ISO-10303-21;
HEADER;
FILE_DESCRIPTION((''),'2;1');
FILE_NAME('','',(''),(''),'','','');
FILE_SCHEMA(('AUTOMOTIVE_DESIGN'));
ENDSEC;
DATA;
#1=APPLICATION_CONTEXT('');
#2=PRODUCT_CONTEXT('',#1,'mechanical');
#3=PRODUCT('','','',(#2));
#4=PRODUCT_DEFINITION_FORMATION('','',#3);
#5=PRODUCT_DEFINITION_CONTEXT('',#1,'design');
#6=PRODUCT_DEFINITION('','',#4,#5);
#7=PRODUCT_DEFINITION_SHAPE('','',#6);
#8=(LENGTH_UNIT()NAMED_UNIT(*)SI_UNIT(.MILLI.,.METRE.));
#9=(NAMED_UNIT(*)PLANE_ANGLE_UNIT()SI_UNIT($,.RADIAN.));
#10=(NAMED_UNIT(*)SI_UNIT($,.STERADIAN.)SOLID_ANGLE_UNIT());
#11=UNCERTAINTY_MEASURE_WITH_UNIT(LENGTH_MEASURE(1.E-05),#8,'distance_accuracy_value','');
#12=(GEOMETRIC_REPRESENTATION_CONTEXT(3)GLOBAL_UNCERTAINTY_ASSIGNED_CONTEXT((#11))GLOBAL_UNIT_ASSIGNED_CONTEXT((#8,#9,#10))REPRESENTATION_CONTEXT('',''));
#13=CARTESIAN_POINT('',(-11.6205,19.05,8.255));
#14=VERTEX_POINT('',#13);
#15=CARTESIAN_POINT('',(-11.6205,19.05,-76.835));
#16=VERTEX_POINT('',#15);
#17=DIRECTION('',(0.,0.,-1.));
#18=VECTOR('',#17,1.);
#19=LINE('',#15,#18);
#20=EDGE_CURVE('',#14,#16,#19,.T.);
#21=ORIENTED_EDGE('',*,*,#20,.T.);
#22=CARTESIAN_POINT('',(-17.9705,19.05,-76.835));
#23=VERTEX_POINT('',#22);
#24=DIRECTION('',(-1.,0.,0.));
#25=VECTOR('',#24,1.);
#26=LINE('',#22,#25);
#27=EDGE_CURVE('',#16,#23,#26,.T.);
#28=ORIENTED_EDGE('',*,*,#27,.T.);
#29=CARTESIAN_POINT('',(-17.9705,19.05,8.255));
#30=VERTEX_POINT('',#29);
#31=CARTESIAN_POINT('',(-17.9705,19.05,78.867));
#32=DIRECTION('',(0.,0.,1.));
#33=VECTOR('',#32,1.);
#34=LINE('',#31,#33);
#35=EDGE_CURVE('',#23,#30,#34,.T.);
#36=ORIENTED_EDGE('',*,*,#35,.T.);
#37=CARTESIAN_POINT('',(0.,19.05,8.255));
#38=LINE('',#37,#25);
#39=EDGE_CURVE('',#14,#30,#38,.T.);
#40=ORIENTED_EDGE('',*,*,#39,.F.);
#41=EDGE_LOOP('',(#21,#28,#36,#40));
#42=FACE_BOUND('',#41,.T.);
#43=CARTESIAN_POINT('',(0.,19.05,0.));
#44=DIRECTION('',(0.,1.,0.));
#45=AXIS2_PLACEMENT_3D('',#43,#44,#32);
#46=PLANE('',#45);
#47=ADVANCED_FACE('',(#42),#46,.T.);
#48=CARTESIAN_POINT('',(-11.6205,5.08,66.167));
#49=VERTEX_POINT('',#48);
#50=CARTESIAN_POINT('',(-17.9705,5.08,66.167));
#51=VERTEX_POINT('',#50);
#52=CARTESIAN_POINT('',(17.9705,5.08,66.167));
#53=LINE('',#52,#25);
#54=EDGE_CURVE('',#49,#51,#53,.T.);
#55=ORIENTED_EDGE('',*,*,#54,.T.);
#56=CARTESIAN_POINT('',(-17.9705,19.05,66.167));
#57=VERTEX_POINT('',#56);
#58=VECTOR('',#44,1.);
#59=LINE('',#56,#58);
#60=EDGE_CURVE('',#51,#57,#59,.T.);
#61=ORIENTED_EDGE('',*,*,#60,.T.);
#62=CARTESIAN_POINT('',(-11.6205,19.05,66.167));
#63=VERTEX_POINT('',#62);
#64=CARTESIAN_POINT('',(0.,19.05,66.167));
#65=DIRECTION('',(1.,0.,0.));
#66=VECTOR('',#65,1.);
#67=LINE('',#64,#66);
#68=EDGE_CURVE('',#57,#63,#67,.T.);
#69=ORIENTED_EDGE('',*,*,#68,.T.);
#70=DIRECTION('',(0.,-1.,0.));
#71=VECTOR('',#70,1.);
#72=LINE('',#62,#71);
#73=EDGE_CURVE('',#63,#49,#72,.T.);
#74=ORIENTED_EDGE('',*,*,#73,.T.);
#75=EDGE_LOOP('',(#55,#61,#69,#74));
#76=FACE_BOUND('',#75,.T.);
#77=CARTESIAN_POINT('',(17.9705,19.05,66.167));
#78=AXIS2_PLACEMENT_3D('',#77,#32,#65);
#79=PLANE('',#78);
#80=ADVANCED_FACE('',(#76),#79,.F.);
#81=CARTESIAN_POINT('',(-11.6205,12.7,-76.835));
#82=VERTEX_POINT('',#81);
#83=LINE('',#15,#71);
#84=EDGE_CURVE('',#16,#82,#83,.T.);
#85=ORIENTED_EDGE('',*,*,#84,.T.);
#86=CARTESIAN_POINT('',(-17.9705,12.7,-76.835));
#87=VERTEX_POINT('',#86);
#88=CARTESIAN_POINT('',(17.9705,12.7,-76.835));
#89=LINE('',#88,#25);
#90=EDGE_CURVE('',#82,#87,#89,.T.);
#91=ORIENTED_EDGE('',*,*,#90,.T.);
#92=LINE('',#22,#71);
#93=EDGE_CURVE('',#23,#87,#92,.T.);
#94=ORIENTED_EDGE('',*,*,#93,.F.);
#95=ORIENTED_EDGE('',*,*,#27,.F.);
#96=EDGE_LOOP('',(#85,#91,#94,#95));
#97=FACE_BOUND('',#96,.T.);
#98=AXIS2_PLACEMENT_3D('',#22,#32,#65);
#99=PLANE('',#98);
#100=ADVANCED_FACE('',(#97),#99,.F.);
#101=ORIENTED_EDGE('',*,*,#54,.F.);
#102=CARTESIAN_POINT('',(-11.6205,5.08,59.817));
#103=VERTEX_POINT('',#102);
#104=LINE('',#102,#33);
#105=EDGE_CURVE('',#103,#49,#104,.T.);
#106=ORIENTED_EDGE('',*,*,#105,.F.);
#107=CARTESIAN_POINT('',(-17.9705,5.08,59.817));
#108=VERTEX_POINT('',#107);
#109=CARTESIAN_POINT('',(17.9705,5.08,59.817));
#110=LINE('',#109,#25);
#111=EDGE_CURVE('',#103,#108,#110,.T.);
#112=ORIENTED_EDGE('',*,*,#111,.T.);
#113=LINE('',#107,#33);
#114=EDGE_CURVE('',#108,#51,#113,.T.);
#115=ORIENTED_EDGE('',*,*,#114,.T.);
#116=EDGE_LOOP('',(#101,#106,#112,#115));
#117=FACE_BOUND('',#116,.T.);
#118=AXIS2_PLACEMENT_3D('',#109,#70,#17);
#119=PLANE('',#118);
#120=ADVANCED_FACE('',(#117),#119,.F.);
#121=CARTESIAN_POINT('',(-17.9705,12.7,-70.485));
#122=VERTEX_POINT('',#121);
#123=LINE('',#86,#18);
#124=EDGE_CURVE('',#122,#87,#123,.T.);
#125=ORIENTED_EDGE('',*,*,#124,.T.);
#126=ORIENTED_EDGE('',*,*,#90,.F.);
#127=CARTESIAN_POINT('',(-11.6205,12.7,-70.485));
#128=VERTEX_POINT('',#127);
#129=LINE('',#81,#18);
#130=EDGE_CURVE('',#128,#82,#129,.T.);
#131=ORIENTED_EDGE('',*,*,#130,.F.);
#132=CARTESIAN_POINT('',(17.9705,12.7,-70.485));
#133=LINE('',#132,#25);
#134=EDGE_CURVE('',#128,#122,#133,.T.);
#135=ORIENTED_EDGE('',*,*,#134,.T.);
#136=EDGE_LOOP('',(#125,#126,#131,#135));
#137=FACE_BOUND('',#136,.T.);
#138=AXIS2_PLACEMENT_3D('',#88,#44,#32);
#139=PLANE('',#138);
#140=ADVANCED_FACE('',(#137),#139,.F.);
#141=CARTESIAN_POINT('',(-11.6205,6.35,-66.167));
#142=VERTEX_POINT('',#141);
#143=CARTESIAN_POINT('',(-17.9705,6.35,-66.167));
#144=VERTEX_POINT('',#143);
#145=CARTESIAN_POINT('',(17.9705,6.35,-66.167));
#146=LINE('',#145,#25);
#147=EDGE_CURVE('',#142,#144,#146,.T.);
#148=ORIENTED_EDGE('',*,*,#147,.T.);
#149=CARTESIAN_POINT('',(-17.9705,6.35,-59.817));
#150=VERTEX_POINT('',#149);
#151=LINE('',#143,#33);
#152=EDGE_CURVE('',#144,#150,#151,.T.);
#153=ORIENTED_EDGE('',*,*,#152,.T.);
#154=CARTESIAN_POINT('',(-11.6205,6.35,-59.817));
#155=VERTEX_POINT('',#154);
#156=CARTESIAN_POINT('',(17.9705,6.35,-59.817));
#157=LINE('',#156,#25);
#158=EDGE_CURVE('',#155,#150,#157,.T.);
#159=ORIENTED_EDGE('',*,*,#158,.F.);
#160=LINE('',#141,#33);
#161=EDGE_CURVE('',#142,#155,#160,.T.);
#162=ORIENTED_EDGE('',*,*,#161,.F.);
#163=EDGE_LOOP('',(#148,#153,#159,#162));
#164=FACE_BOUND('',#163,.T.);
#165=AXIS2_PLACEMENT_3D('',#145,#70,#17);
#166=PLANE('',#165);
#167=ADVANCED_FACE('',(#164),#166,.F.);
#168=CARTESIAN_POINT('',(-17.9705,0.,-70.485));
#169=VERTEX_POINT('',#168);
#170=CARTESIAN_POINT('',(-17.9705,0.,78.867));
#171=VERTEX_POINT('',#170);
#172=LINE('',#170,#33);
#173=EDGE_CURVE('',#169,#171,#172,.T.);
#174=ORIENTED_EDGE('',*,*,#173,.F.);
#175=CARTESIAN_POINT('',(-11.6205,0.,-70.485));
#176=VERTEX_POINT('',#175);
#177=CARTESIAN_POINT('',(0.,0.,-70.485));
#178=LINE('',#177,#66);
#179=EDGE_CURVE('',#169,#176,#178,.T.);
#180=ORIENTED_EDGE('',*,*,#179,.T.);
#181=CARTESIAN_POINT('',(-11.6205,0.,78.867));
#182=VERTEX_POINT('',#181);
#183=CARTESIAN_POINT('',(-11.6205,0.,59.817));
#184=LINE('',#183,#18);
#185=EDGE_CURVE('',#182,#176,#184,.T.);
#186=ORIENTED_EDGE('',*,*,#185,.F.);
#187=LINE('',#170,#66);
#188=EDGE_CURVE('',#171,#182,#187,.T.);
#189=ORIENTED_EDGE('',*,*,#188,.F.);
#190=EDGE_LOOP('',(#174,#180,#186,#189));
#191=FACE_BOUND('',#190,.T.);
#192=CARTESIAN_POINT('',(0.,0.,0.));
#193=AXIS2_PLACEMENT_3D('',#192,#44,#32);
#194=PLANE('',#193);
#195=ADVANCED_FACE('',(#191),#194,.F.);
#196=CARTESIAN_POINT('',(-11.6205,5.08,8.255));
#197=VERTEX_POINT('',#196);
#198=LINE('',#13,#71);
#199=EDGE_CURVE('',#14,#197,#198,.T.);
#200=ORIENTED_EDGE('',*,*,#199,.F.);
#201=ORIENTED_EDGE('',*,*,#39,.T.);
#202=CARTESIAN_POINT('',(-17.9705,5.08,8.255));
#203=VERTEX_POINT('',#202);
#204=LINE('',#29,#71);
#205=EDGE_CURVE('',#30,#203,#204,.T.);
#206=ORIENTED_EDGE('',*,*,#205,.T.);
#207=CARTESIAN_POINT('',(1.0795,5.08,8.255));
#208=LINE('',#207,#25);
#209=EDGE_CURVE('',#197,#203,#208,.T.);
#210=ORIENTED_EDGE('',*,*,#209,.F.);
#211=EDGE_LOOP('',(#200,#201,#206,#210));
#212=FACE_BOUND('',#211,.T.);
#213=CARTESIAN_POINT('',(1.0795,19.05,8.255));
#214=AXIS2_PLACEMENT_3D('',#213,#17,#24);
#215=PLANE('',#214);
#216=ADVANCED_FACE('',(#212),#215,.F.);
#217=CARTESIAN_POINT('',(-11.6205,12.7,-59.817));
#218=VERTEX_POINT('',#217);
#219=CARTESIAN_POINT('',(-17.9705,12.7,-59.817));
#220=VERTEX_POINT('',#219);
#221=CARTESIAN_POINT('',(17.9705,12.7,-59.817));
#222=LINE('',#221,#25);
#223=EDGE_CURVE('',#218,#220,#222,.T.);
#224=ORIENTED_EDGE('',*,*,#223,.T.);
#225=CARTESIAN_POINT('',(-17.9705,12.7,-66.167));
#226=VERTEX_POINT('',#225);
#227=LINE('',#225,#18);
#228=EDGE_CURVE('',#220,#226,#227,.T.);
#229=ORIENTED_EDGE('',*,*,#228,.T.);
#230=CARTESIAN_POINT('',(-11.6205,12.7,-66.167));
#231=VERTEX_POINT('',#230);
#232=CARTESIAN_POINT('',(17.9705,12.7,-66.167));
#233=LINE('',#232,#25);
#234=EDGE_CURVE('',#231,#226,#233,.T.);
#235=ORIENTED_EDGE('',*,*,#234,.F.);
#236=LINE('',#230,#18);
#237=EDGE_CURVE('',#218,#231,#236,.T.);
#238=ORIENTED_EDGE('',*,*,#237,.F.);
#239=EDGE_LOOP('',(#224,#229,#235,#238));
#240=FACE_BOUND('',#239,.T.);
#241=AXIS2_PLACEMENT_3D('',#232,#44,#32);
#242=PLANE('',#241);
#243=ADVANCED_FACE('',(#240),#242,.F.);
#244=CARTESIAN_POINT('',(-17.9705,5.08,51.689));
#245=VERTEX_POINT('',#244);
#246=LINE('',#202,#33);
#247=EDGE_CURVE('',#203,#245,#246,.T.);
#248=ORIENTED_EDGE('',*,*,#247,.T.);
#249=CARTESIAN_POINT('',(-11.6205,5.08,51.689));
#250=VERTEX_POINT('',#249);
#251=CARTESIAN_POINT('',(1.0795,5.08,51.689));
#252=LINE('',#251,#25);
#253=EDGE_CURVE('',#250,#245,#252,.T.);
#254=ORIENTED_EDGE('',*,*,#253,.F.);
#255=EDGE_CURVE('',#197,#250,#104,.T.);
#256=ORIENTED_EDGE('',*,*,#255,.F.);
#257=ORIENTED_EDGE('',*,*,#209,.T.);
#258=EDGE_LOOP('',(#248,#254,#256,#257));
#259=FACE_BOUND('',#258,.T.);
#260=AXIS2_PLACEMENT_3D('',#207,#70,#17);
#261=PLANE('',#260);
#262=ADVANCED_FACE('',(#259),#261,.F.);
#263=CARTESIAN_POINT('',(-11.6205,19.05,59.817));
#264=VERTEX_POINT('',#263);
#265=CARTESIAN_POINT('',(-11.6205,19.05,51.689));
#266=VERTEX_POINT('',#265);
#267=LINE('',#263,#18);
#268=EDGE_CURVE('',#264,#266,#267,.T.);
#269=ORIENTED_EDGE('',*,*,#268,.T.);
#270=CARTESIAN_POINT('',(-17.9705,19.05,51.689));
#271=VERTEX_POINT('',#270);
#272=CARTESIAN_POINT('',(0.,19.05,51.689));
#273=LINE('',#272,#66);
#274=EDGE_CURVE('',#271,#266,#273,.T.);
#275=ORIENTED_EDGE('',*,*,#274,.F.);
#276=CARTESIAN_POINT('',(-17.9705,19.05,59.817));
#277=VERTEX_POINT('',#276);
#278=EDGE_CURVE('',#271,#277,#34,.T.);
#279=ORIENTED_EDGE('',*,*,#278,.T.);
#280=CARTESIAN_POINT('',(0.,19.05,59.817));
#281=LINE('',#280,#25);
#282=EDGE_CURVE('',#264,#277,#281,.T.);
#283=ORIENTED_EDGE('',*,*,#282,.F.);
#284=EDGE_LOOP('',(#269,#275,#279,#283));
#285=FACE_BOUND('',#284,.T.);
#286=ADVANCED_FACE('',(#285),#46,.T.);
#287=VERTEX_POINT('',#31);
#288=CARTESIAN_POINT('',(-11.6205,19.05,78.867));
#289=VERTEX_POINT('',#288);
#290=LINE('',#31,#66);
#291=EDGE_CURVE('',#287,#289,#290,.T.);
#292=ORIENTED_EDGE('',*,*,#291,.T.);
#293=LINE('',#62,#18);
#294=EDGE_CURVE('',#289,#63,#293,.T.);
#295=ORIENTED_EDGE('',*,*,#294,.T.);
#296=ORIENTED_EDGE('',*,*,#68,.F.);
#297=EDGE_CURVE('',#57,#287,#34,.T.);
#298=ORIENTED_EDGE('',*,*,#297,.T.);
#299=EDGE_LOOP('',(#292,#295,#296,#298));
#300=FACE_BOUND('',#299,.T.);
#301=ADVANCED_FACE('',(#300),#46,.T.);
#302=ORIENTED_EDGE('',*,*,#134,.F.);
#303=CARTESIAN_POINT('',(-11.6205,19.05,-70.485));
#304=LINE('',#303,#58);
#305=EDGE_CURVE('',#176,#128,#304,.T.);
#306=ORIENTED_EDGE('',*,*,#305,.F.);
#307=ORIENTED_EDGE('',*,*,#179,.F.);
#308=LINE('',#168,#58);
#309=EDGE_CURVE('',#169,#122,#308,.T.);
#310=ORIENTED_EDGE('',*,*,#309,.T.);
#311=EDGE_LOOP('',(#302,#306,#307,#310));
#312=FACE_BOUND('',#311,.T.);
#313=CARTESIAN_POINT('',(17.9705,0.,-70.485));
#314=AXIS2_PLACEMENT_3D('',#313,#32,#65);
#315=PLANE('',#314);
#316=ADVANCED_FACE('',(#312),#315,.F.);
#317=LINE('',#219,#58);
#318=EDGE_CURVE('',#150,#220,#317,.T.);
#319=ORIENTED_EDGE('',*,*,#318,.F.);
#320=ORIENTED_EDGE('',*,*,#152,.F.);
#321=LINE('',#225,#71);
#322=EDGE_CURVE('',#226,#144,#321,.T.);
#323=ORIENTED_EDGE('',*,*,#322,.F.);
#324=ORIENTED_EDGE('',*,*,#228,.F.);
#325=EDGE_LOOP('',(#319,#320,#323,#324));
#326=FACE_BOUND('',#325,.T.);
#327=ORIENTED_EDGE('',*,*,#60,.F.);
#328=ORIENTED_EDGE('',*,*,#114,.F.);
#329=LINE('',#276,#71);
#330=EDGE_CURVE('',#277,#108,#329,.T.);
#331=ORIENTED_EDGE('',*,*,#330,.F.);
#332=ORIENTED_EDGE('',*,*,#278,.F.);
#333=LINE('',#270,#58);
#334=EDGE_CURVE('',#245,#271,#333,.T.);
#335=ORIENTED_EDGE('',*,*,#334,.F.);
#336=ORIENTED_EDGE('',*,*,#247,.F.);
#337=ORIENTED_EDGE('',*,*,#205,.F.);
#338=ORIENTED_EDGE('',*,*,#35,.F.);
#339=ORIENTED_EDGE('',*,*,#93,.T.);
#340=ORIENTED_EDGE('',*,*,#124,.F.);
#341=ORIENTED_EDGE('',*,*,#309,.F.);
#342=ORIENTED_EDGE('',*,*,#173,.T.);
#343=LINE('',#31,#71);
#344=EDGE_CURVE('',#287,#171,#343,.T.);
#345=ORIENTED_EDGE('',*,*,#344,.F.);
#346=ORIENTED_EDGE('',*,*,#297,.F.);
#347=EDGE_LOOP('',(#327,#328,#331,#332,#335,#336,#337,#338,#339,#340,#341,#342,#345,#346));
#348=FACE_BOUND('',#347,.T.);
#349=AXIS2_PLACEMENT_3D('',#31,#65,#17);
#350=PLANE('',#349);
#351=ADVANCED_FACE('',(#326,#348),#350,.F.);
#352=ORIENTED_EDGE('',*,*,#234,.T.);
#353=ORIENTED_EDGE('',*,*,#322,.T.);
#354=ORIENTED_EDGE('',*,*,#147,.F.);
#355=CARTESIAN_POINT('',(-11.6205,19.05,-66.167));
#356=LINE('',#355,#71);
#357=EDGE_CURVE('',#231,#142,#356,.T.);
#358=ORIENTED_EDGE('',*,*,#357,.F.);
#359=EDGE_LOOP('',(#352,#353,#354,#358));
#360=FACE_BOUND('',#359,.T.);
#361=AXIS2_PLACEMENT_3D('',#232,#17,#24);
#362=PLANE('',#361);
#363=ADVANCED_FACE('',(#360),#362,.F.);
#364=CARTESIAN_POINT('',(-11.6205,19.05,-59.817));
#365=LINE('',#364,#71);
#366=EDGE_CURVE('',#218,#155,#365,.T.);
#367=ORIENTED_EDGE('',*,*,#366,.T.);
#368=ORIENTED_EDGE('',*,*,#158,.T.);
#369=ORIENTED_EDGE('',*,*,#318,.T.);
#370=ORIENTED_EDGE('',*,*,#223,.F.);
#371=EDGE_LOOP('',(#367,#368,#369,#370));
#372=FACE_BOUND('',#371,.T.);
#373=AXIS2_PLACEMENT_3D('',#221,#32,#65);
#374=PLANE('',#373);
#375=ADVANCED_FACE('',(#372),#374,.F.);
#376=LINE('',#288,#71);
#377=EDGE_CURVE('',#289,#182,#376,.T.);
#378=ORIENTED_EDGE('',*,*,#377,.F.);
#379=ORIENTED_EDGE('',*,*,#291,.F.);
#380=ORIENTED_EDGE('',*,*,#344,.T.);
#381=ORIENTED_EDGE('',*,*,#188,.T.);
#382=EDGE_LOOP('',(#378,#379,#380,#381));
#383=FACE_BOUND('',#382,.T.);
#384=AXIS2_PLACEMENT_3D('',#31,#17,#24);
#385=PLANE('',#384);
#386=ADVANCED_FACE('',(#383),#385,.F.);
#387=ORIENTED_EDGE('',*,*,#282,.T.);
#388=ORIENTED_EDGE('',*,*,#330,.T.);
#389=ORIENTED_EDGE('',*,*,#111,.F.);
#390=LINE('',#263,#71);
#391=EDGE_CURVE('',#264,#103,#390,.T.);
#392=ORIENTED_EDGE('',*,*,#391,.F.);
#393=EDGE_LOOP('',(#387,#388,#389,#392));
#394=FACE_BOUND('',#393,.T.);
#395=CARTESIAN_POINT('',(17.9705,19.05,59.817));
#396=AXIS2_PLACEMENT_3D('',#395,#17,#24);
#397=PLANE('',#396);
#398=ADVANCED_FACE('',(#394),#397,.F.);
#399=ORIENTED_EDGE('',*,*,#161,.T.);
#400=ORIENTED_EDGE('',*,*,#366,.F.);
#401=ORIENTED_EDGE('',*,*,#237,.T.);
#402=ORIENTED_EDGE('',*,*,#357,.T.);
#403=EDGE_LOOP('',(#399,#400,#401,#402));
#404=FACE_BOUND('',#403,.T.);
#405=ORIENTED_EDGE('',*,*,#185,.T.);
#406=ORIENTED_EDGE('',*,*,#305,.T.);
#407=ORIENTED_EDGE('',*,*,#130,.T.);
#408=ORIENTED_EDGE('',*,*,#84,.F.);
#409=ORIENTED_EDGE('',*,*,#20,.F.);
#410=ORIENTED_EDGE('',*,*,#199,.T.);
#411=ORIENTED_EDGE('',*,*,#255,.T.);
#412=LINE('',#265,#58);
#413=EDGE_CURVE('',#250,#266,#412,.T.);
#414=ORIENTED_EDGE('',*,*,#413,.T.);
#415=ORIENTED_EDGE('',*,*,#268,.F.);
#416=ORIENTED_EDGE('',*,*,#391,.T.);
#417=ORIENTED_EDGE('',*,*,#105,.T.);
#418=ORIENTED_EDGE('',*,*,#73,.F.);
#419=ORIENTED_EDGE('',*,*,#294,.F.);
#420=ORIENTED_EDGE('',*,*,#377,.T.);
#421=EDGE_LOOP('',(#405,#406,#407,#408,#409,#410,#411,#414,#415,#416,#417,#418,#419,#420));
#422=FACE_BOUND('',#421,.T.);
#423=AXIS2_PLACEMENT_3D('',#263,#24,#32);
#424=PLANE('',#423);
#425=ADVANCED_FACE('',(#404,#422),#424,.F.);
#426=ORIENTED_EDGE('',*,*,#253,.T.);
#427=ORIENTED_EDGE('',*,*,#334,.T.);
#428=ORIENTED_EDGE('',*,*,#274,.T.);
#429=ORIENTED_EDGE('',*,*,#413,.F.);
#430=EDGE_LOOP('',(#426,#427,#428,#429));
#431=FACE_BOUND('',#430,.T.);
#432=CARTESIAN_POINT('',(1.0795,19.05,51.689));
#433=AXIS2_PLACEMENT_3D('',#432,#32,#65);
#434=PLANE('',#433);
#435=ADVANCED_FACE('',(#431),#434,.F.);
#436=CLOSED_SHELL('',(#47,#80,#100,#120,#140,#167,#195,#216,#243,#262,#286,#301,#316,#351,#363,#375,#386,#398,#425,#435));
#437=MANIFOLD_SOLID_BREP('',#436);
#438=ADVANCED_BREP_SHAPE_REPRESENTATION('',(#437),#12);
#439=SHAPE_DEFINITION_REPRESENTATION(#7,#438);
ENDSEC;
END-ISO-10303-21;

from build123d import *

# Parameters (mm, degrees)
BOSS_EXTRUDE1_DEPTH = 19.05
SKETCH2_W           = 43.434
SKETCH2_H           = 13.97
MOTOR_HOLE_DEPTH    = 19.05
SKETCH3_W           = 6.35
SKETCH3_H           = 12.7
CUT_EXTRUDE2_DEPTH  = 36.941
SKETCH5_W           = 6.35
SKETCH5_H           = 13.97
SKETCH5_H_2         = 6.35
CUT_EXTRUDE6_DEPTH  = 36.941
SKETCH7_W           = 50.257507562
SKETCH7_H           = 159.787423729
CUT_EXTRUDE7_DEPTH  = 20.05


with BuildPart() as part:
    # Sketch1 → Boss-Extrude1 (new body)
    with BuildSketch(Plane(origin=(0, 0, 0), x_dir=(1, 0, 0), z_dir=(0, 1, 0))):
        Polygon((-10.033, 66.167), (-11.6205, 66.167), (-11.6205, 76.835), (-17.9705, 76.835), (-17.9705, -78.867), (-11.6205, -78.867), (-11.6205, -66.167), (11.6205, -66.167), (11.6205, -78.867), (17.9705, -78.867), (17.9705, 76.835), (11.6205, 76.835), (11.6205, 66.167), (10.033, 66.167), (10.033, 59.817), (11.6205, 59.817), (11.6205, -59.817), (-11.6205, -59.817), (-11.6205, 59.817), (-10.033, 59.817), align=None)
    extrude(amount=BOSS_EXTRUDE1_DEPTH)

    # Sketch2 → Motor Hole (cut)
    with BuildSketch(Plane.ZY.offset(17.9705)):
        with Locations((29.972, 12.065)):
            Rectangle(SKETCH2_W, SKETCH2_H)
    extrude(amount=-MOTOR_HOLE_DEPTH, mode=Mode.SUBTRACT)

    # Sketch3 → Cut-Extrude2 (cut, through all)
    with BuildSketch(Plane.ZY.offset(17.9705)):
        with Locations((-73.66, 6.35)):
            Rectangle(SKETCH3_W, SKETCH3_H)
    extrude(amount=-CUT_EXTRUDE2_DEPTH, mode=Mode.SUBTRACT)

    # Sketch5 → Cut-Extrude6 (cut, through all)
    with BuildSketch(Plane.ZY.offset(17.9705)):
        with Locations((62.992, 12.065)):
            Rectangle(SKETCH5_W, SKETCH5_H)
        with Locations((-62.992, 9.525)):
            Rectangle(SKETCH5_W, SKETCH5_H_2)
    extrude(amount=-CUT_EXTRUDE6_DEPTH, mode=Mode.SUBTRACT)

    # Sketch7 → Cut-Extrude7 (cut, through all)
    with BuildSketch(Plane(origin=(0, 0, 0), x_dir=(1, 0, 0), z_dir=(0, 1, 0))):
        with Locations((13.508253781, 1.026711865)):
            Rectangle(SKETCH7_W, SKETCH7_H)
    extrude(amount=CUT_EXTRUDE7_DEPTH, mode=Mode.SUBTRACT)


solid = part.part
